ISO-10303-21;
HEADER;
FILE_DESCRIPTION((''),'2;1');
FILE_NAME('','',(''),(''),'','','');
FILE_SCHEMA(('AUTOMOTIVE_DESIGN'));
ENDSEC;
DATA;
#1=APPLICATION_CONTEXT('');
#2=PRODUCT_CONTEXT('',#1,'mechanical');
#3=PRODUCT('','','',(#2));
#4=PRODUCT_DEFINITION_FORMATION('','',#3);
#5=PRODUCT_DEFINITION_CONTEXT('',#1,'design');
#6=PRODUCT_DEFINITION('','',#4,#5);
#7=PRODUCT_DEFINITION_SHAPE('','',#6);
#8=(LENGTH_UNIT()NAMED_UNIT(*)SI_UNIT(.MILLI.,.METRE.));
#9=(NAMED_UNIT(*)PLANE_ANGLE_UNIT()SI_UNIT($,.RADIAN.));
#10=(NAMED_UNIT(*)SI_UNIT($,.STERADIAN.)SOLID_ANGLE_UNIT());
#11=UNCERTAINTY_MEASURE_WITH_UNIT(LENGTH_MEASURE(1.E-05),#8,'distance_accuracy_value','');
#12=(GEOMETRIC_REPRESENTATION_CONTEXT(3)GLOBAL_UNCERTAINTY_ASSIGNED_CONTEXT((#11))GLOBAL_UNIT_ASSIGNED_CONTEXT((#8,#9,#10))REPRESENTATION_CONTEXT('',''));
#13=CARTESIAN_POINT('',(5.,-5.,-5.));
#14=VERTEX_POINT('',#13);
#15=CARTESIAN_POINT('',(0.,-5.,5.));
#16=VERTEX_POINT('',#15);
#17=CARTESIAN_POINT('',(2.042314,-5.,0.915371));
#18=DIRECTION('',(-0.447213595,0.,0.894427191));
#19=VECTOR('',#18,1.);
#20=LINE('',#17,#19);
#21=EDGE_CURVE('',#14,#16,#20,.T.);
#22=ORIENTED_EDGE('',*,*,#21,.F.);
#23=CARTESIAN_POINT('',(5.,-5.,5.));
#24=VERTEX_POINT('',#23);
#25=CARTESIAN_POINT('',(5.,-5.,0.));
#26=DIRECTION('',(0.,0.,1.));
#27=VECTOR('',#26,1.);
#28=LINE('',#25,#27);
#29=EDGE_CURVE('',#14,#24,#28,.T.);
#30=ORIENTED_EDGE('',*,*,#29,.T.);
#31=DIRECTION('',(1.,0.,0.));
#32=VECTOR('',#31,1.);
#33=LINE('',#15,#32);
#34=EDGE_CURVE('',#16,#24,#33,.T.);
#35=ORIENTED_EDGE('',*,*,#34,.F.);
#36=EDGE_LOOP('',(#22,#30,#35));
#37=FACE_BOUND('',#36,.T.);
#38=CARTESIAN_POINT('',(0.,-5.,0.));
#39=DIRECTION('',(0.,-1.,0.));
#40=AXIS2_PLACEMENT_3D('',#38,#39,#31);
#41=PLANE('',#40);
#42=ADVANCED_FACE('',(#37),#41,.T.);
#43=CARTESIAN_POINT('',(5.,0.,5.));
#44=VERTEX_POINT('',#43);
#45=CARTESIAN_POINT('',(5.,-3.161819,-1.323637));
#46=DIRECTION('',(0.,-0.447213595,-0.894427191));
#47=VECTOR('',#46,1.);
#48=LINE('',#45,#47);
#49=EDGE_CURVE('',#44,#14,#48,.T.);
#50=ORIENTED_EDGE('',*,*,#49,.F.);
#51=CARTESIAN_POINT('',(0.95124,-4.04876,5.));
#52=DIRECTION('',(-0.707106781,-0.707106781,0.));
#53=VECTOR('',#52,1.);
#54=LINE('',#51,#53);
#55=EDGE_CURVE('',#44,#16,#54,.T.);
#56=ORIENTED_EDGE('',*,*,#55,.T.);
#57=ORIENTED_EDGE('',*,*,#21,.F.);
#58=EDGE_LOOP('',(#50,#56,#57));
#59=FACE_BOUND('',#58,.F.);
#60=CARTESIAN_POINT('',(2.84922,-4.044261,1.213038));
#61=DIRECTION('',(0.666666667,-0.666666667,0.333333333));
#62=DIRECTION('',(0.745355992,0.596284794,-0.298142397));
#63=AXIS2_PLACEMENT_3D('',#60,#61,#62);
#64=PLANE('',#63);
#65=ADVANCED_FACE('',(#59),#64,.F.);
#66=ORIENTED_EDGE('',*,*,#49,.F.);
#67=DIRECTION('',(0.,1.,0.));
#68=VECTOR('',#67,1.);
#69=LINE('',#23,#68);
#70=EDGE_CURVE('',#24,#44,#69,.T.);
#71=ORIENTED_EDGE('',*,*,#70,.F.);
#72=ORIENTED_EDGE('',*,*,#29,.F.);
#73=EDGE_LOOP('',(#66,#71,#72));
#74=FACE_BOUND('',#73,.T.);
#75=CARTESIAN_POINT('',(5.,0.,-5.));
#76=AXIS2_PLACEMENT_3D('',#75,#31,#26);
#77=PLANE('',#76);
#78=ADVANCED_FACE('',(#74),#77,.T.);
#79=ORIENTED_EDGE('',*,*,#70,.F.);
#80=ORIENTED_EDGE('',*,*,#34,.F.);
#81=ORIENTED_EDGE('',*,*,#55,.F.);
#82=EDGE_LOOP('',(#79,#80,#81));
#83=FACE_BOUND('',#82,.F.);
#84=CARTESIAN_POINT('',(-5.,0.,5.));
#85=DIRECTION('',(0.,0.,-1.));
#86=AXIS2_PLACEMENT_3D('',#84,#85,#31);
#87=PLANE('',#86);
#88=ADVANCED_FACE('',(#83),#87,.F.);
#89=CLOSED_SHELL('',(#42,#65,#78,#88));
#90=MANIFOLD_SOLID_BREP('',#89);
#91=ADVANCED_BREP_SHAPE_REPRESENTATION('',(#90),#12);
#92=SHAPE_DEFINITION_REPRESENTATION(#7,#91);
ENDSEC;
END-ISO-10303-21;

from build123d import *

# Parameters (mm, degrees)
F0_W     = 10
F0_H     = 10
F1_DEPTH = 5
F6_W     = 23.5226610675
F6_H     = 28.2299732789
F7_DEPTH = 13.3343333333


with BuildPart() as f1:
    # F0 (on Front) → F1 (new body, symmetric)
    with BuildSketch(Plane.XZ):
        Rectangle(F0_W, F0_H)
    extrude(amount=F1_DEPTH, both=True)

    # F6 (on 3pt) → F7 (cut, through all)
    with BuildSketch(Plane(origin=(3.3333333333, -3.3333333333, 1.6666666667), x_dir=(0.7453559925, 0.596284794, -0.298142397), z_dir=(0.6666666667, -0.6666666667, 0.3333333333))):
        with Locations((-0.6495066918, -0.7236744277)):
            Rectangle(F6_W, F6_H)
    extrude(amount=-F7_DEPTH, mode=Mode.SUBTRACT)


solid = f1.part
